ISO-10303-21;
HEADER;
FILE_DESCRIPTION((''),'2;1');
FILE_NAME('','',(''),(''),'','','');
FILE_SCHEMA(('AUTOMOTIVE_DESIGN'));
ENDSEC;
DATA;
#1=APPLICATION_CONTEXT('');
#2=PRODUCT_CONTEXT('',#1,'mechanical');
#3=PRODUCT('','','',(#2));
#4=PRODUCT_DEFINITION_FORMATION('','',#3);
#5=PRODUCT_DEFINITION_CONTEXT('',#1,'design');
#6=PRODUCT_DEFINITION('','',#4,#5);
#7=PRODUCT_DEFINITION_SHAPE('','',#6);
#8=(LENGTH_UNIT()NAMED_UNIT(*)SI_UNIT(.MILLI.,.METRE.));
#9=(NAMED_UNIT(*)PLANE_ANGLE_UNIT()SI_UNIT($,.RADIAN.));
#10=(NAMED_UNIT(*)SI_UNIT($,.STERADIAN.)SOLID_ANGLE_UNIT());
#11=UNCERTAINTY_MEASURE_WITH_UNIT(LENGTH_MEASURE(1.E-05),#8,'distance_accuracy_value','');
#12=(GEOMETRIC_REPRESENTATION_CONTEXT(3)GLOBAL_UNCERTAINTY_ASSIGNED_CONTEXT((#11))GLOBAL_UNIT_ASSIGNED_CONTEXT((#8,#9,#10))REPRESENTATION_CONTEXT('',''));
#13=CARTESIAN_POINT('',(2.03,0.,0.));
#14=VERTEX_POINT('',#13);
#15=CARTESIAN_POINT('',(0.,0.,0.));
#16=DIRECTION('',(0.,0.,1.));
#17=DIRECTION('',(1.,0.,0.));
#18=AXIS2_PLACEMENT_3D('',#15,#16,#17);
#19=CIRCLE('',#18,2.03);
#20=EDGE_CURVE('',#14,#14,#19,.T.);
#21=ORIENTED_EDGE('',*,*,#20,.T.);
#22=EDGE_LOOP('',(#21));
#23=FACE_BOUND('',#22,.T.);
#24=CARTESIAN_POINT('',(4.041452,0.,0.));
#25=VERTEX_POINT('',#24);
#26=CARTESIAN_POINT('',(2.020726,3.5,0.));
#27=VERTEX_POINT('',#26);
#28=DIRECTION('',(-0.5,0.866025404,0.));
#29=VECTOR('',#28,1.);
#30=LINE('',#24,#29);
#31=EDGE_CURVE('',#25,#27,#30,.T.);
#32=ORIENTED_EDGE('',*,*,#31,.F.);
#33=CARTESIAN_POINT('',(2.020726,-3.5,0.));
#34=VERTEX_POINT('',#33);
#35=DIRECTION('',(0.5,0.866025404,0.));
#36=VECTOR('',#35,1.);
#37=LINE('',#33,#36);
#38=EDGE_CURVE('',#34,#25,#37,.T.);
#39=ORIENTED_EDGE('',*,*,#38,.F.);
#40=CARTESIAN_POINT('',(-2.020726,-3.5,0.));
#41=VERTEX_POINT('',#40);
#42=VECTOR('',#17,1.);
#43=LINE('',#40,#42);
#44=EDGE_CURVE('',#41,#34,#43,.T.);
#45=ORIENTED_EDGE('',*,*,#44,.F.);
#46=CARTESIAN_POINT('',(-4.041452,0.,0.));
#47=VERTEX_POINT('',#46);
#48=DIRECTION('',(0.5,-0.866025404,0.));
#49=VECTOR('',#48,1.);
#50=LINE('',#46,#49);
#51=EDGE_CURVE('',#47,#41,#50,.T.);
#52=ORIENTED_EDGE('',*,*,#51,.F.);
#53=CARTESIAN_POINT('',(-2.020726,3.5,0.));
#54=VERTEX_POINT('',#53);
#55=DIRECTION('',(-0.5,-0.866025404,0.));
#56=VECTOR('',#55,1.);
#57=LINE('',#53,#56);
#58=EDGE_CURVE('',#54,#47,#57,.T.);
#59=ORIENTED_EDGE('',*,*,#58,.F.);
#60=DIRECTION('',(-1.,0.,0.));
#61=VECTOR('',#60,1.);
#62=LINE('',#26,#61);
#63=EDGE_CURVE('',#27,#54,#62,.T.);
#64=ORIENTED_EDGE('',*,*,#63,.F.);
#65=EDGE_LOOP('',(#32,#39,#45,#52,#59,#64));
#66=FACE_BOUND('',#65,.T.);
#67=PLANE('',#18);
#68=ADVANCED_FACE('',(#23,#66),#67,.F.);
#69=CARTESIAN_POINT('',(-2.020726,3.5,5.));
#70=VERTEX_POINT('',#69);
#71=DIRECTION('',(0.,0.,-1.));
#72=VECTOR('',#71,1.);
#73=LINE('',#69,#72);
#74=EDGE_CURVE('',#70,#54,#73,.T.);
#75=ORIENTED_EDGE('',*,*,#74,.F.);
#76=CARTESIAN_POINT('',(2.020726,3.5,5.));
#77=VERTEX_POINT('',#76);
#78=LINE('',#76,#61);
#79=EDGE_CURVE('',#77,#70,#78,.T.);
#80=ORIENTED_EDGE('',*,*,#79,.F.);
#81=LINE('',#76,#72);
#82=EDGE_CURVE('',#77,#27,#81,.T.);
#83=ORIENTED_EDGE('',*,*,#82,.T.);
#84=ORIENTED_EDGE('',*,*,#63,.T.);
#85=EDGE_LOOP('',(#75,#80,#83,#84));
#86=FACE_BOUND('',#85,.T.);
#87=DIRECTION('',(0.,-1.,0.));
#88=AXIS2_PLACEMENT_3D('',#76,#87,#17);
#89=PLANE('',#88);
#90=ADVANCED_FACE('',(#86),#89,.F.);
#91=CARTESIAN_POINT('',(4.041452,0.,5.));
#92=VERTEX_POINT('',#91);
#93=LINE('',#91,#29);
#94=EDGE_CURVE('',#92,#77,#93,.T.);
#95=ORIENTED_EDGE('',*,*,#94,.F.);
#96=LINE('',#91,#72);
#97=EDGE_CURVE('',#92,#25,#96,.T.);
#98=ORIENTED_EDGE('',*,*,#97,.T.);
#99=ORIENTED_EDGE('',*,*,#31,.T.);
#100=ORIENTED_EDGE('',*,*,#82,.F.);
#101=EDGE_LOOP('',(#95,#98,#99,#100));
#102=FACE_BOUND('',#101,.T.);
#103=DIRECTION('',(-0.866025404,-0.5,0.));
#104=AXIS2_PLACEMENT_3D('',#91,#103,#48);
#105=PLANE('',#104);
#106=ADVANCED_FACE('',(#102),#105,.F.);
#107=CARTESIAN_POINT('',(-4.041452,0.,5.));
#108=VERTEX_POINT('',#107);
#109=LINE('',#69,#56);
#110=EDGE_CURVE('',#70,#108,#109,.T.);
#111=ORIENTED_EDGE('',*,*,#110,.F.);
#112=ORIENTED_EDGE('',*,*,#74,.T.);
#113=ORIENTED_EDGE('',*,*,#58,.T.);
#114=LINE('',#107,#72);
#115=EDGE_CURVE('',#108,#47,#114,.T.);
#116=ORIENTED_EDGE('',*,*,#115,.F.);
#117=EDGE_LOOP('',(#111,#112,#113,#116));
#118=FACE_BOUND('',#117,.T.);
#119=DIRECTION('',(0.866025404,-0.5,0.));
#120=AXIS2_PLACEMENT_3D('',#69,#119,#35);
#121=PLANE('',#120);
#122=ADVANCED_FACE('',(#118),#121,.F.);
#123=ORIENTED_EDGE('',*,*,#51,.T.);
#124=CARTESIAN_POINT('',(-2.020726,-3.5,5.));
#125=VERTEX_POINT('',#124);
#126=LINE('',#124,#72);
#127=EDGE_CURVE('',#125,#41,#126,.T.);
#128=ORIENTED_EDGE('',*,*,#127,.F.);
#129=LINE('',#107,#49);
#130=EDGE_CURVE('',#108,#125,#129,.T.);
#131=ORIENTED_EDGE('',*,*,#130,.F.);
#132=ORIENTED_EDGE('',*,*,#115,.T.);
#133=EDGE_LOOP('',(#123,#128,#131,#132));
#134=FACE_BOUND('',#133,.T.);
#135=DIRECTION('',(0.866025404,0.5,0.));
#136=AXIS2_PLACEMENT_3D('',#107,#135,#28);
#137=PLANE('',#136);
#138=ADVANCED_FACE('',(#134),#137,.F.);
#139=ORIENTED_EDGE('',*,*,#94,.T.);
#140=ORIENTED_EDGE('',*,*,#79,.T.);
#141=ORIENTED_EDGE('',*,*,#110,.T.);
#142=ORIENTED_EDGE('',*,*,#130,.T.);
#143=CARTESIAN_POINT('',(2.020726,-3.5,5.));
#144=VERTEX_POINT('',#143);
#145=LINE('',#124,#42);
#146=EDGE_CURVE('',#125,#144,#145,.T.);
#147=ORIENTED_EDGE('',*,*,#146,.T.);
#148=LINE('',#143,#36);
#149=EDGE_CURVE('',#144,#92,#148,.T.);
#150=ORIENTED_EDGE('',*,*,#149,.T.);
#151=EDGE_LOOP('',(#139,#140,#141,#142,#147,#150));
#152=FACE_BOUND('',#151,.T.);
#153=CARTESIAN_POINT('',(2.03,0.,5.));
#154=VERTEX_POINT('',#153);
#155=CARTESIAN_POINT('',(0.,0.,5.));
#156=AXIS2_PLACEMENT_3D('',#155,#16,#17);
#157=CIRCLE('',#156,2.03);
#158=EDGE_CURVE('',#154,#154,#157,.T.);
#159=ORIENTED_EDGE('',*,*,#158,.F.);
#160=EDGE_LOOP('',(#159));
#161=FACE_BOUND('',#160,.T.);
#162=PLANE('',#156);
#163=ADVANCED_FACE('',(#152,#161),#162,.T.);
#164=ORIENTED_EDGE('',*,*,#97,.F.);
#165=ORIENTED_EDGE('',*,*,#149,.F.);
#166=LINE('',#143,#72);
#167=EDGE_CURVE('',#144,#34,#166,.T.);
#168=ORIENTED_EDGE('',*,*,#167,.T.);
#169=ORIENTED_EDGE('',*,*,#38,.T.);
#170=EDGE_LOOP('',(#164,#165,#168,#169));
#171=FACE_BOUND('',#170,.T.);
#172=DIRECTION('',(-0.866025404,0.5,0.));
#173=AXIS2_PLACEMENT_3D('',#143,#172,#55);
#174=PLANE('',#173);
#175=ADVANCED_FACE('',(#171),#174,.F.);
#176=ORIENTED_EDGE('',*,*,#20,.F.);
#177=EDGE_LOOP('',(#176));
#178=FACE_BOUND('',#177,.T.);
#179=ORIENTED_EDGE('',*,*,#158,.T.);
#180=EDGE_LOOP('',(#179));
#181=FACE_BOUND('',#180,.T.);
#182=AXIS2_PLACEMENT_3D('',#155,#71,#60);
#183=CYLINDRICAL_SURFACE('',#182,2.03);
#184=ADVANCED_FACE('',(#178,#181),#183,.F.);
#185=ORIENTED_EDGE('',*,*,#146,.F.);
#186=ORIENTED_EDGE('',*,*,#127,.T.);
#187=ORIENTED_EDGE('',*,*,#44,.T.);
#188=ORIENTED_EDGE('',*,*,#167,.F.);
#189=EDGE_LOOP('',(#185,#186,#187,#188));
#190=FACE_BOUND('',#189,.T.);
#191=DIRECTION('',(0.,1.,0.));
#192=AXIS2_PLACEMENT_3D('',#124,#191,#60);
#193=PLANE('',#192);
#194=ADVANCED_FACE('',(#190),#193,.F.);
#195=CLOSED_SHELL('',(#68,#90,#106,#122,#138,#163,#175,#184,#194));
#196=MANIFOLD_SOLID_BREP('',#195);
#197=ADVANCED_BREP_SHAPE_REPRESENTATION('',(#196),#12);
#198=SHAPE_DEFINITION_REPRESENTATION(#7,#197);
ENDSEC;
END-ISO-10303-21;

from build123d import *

# Parameters (mm, degrees)
S01_HEXAGON_AND_NOMINAL_THREAD_ENVELOP_R       = 2.03
F_01_HEXAGON_AND_NOMINAL_THREAD_ENVELOPE_DEPTH = 5


with BuildPart() as part:
    # S01 - Hexagon and nominal thread envelope → 01 - Hexagon and nominal thread envelope (new body)
    with BuildSketch(Plane.XY):
        Polygon((4.041451884, 0), (2.020725942, 3.5), (-2.020725942, 3.5), (-4.041451884, 0), (-2.020725942, -3.5), (2.020725942, -3.5), align=None)
        Circle(S01_HEXAGON_AND_NOMINAL_THREAD_ENVELOP_R, mode=Mode.SUBTRACT)
    extrude(amount=F_01_HEXAGON_AND_NOMINAL_THREAD_ENVELOPE_DEPTH)


solid = part.part
